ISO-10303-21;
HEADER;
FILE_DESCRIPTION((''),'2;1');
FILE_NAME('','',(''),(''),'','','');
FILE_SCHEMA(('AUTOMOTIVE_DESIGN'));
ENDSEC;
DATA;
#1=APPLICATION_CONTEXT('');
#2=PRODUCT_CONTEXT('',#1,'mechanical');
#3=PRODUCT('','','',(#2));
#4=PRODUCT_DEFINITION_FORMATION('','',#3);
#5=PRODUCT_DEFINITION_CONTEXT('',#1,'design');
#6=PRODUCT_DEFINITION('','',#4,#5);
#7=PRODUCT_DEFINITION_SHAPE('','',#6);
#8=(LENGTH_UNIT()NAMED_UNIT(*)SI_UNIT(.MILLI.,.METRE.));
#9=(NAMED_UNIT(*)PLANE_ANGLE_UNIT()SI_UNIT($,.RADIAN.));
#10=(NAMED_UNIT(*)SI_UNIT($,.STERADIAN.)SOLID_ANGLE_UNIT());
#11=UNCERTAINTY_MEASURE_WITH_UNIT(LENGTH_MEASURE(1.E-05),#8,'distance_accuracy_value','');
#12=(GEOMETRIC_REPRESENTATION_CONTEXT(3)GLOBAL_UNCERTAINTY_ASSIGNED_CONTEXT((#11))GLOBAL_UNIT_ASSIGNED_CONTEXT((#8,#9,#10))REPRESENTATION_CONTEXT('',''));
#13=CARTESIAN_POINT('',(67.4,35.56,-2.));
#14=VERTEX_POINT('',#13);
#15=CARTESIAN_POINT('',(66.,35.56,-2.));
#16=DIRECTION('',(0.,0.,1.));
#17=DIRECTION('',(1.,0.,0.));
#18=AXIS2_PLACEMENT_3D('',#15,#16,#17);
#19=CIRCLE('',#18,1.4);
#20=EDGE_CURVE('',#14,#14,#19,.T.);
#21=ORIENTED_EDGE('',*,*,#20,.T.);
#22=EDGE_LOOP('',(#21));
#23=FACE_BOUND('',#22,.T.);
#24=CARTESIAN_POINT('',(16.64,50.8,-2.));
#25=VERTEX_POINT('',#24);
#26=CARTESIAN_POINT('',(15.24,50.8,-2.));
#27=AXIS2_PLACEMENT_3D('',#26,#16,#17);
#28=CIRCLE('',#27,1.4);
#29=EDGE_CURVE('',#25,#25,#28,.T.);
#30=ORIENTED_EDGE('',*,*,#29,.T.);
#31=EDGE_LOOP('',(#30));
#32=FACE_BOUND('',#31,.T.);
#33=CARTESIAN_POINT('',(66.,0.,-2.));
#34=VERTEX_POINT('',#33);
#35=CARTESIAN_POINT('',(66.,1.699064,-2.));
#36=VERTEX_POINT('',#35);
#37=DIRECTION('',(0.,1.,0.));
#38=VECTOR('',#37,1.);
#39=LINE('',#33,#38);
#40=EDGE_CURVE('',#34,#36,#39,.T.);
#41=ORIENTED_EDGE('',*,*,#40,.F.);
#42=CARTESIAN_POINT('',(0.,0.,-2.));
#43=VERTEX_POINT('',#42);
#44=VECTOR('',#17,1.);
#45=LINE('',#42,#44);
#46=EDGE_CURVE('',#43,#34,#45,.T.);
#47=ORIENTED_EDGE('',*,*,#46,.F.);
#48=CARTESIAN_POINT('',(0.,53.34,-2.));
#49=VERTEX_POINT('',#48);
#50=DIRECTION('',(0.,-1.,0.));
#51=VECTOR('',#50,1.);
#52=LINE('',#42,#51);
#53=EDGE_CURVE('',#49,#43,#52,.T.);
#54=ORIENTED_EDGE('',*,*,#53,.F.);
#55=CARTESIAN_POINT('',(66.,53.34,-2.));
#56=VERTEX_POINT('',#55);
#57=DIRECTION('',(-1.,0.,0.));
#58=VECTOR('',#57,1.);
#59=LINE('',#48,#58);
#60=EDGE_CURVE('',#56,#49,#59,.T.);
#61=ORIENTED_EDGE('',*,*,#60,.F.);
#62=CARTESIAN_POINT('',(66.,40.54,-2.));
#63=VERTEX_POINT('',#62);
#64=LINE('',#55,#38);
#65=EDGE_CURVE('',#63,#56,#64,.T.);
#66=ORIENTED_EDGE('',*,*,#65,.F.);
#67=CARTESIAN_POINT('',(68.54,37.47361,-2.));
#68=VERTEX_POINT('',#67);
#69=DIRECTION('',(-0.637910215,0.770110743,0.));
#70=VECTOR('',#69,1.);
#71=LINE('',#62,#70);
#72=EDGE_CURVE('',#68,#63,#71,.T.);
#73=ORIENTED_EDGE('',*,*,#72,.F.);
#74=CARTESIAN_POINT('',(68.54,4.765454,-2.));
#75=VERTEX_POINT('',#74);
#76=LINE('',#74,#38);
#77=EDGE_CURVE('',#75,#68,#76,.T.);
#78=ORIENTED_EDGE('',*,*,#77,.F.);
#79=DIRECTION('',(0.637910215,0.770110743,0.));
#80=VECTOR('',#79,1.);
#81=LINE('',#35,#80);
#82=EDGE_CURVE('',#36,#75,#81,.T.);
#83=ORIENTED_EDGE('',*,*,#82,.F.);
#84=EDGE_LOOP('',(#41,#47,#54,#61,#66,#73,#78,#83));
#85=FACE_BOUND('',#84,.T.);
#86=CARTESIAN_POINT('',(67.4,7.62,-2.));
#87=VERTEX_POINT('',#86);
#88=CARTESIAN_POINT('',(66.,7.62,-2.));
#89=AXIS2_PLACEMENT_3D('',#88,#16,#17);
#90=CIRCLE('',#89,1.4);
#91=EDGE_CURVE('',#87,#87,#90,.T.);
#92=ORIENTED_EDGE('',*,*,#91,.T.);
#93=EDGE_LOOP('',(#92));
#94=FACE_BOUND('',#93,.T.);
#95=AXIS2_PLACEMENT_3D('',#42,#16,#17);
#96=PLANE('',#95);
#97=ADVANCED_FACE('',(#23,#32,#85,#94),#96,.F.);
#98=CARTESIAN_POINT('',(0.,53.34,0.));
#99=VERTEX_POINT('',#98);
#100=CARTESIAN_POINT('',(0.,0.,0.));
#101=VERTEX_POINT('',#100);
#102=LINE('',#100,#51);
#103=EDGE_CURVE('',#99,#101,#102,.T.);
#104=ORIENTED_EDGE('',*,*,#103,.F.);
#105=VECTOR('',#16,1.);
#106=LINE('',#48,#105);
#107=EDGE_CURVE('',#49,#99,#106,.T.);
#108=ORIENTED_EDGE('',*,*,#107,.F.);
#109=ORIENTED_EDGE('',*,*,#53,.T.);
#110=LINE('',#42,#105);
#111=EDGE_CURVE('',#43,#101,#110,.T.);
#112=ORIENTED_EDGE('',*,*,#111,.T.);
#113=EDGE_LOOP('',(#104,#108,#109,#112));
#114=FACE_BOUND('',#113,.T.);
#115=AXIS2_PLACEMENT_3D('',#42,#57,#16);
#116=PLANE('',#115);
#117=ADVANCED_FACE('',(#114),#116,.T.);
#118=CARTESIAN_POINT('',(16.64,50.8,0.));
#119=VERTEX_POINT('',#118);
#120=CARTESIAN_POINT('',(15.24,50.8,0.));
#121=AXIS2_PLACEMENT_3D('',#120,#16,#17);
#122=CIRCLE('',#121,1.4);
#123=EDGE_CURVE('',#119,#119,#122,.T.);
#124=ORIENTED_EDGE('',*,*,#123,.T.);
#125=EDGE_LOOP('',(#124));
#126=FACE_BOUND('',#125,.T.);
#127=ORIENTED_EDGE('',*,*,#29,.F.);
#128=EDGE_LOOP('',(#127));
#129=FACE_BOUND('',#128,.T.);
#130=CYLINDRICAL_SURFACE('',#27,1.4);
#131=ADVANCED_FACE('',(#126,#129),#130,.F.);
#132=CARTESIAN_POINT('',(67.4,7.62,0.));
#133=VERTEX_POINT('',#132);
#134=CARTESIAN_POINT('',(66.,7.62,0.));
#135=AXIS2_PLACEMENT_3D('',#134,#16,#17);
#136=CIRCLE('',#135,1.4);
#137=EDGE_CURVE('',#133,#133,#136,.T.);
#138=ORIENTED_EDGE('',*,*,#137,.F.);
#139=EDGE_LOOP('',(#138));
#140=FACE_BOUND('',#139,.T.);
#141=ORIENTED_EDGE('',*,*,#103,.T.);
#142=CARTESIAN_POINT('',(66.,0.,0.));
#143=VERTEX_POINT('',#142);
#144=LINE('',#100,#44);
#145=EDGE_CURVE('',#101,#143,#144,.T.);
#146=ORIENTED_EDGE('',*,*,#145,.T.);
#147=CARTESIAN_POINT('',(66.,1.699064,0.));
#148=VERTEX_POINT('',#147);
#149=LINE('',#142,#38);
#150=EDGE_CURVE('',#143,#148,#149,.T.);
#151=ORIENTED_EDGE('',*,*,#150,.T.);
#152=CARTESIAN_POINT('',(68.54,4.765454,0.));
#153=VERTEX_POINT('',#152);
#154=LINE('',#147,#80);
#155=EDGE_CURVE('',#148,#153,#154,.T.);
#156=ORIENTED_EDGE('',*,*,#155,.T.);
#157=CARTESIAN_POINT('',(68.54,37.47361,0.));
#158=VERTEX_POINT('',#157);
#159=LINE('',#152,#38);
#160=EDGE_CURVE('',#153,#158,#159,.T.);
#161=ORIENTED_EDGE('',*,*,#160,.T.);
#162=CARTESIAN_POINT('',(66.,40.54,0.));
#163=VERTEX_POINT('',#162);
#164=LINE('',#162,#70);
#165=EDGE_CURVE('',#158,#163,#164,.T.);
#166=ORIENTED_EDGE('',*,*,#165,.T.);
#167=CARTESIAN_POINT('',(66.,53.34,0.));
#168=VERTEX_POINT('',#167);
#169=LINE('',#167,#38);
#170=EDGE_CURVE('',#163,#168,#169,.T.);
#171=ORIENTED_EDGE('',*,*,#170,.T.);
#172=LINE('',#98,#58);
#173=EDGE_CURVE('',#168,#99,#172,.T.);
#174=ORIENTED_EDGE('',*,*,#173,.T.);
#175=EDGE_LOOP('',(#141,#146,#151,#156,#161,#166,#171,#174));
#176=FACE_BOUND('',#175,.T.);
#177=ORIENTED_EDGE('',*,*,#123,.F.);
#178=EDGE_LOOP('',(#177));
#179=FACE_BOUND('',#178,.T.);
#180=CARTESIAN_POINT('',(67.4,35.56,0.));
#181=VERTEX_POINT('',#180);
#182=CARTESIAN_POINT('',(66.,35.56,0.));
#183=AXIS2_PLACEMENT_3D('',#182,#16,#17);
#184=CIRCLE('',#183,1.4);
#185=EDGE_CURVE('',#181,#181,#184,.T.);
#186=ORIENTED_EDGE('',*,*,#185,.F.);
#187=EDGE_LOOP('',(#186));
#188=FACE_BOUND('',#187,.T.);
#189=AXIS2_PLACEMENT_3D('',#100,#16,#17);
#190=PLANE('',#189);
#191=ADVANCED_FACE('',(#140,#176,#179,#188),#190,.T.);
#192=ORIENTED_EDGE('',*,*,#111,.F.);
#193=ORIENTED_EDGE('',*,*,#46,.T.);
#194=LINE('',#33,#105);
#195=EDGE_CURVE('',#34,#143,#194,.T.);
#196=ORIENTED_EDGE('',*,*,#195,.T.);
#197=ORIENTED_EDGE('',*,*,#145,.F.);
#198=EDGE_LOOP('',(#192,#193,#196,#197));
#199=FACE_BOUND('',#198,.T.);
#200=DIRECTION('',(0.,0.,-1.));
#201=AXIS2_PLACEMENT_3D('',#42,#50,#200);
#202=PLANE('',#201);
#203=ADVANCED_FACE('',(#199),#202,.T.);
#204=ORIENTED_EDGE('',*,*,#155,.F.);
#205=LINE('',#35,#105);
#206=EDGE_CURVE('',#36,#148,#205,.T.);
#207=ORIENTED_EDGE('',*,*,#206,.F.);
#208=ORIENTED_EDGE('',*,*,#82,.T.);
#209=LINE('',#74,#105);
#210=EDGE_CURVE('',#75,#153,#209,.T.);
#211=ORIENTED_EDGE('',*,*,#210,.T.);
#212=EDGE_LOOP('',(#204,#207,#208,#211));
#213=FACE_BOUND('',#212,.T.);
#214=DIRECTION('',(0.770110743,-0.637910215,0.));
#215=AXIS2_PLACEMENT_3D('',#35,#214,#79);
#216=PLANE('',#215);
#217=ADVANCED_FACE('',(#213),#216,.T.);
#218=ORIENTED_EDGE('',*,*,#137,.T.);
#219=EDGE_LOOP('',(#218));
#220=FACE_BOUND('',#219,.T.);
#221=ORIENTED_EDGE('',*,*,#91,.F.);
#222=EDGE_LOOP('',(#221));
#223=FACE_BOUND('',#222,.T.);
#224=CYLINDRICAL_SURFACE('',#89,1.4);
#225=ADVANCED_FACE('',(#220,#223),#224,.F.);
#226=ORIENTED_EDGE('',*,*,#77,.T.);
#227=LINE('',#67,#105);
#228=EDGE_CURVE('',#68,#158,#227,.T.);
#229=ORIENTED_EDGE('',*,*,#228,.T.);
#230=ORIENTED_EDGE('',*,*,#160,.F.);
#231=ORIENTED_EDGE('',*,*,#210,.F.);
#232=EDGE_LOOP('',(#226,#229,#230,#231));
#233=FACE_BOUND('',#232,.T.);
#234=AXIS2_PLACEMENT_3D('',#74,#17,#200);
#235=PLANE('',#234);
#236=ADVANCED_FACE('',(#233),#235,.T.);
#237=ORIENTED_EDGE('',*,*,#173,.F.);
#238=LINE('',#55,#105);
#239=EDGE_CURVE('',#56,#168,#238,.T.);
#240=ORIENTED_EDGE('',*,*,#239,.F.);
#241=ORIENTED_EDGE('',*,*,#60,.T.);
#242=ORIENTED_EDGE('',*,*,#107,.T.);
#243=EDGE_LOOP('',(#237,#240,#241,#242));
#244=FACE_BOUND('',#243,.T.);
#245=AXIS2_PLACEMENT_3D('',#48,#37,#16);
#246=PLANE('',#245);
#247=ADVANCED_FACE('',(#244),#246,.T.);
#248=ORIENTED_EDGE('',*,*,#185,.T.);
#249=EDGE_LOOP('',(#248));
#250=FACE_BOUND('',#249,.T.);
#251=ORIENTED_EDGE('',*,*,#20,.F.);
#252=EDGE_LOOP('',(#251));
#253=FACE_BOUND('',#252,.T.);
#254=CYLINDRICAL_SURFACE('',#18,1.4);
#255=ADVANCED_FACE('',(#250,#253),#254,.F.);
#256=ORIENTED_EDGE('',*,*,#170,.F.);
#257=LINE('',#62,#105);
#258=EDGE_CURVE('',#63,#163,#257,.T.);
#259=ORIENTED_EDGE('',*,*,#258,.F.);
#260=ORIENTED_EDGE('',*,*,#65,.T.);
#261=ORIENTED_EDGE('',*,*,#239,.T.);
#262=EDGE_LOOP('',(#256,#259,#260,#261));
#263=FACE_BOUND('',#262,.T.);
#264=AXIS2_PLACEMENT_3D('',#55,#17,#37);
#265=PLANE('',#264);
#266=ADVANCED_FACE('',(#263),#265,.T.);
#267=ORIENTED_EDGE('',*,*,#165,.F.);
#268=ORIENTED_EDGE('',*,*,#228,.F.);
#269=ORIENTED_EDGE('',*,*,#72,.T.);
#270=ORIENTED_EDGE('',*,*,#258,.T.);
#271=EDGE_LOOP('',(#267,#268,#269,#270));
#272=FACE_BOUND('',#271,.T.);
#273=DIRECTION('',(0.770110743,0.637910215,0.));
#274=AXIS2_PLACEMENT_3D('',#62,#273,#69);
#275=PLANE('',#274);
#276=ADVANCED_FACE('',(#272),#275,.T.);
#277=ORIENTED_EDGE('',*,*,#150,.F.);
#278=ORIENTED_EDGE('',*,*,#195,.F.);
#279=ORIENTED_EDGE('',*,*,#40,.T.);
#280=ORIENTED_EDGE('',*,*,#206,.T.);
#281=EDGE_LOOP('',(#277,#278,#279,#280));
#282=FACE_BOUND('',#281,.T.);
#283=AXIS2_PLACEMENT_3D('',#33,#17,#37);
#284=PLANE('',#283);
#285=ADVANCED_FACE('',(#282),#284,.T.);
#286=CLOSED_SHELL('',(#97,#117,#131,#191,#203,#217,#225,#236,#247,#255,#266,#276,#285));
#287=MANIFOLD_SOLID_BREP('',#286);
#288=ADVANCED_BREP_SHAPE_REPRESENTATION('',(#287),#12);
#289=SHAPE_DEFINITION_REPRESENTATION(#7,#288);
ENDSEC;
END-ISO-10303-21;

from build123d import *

# Parameters (mm, degrees)
SKETCH2_R           = 1.4
BOSS_EXTRUDE1_DEPTH = 2


with BuildPart() as part:
    # Sketch2 → Boss-Extrude1 (new body)
    with BuildSketch(Plane.XY):
        Polygon((0, 0), (0, 53.34), (66, 53.34), (66, 40.54), (68.54, 37.473610341), (68.54, 4.765453974), (66, 1.699064314), (66, 0), align=None)
        with Locations((15.24, 50.8)):
            Circle(SKETCH2_R, mode=Mode.SUBTRACT)
        with Locations((66, 35.56)):
            Circle(SKETCH2_R, mode=Mode.SUBTRACT)
        with Locations((66, 7.62)):
            Circle(SKETCH2_R, mode=Mode.SUBTRACT)
    extrude(amount=-BOSS_EXTRUDE1_DEPTH)


solid = part.part
